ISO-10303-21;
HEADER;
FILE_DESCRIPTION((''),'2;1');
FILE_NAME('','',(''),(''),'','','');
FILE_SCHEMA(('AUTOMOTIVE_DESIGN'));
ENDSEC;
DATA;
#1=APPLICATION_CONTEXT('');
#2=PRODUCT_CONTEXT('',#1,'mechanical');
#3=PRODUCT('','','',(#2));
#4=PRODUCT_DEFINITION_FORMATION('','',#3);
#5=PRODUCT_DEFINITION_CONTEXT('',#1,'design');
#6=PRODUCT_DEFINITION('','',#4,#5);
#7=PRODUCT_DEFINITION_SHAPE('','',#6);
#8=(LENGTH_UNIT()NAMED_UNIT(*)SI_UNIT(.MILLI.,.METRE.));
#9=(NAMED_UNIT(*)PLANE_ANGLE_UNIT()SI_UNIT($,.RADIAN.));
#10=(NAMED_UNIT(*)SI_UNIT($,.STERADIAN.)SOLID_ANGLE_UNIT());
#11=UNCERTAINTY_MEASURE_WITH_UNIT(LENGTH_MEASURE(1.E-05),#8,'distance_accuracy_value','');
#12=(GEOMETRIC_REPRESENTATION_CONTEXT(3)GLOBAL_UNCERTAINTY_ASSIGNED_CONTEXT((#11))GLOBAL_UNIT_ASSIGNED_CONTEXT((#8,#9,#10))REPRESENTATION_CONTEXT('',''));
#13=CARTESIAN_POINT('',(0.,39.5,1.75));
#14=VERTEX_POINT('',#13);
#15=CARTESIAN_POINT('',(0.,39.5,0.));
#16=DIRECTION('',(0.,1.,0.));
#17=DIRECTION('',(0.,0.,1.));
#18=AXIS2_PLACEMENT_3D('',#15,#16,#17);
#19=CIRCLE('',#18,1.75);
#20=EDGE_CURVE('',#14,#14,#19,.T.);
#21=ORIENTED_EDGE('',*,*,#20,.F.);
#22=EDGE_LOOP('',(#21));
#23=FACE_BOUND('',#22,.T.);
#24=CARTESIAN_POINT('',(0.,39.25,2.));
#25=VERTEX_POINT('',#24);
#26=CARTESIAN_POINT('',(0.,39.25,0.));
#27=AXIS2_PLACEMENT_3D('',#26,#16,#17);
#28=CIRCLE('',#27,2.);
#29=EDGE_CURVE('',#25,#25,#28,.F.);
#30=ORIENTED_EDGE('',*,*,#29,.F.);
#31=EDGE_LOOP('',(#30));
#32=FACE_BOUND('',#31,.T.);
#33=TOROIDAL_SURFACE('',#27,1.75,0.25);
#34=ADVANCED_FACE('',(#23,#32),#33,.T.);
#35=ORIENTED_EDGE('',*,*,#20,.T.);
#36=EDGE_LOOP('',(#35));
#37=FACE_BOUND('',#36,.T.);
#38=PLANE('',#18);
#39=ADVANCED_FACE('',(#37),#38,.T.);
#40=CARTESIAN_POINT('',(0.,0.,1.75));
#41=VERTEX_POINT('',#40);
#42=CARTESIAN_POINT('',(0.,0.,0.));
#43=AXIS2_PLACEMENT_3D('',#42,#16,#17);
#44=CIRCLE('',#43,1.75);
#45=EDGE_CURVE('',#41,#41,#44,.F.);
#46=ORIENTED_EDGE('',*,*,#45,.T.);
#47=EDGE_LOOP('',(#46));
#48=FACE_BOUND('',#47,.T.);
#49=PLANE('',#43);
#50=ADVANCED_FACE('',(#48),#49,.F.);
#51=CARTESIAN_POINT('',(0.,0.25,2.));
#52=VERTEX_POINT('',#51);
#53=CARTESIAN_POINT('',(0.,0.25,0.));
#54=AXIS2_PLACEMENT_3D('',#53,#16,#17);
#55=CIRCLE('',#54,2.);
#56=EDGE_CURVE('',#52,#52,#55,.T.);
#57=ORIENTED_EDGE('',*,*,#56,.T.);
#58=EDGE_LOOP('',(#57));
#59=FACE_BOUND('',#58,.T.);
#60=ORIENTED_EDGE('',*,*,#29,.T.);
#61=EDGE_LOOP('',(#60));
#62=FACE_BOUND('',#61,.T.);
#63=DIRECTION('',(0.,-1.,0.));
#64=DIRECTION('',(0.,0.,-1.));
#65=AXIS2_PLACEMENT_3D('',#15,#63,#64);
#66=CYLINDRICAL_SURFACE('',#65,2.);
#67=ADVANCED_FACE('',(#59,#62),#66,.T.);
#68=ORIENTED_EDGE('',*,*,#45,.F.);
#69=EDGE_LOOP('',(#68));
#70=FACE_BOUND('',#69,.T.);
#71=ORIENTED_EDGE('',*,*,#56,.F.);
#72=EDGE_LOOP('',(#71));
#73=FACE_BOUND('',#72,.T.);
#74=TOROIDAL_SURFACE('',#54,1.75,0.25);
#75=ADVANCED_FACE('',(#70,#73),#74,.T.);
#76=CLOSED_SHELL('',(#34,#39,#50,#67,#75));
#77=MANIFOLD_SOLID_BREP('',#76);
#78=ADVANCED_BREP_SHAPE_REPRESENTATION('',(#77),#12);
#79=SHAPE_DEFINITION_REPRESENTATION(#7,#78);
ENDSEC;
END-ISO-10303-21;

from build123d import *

# Parameters (mm, degrees)
SKETCH1_R           = 2
BOSS_EXTRUDE1_DEPTH = 39.5
FILLET1_R           = 0.25


with BuildPart() as part:
    # Sketch1 → Boss-Extrude1 (new body)
    with BuildSketch(Plane(origin=(0, 0, 0), x_dir=(1, 0, 0), z_dir=(0, 1, 0))):
        with Locations(Location((0, 0, 0), (0, 0, 270))):
            Circle(SKETCH1_R)
    extrude(amount=BOSS_EXTRUDE1_DEPTH)

    # Fillet1
    fillet1_edges = [part.edges().sort_by_distance(p)[0] for p in [
        (0, 0, -2),
        (0, 39.5, -2),
    ]]
    fillet(fillet1_edges, radius=FILLET1_R)


solid = part.part
